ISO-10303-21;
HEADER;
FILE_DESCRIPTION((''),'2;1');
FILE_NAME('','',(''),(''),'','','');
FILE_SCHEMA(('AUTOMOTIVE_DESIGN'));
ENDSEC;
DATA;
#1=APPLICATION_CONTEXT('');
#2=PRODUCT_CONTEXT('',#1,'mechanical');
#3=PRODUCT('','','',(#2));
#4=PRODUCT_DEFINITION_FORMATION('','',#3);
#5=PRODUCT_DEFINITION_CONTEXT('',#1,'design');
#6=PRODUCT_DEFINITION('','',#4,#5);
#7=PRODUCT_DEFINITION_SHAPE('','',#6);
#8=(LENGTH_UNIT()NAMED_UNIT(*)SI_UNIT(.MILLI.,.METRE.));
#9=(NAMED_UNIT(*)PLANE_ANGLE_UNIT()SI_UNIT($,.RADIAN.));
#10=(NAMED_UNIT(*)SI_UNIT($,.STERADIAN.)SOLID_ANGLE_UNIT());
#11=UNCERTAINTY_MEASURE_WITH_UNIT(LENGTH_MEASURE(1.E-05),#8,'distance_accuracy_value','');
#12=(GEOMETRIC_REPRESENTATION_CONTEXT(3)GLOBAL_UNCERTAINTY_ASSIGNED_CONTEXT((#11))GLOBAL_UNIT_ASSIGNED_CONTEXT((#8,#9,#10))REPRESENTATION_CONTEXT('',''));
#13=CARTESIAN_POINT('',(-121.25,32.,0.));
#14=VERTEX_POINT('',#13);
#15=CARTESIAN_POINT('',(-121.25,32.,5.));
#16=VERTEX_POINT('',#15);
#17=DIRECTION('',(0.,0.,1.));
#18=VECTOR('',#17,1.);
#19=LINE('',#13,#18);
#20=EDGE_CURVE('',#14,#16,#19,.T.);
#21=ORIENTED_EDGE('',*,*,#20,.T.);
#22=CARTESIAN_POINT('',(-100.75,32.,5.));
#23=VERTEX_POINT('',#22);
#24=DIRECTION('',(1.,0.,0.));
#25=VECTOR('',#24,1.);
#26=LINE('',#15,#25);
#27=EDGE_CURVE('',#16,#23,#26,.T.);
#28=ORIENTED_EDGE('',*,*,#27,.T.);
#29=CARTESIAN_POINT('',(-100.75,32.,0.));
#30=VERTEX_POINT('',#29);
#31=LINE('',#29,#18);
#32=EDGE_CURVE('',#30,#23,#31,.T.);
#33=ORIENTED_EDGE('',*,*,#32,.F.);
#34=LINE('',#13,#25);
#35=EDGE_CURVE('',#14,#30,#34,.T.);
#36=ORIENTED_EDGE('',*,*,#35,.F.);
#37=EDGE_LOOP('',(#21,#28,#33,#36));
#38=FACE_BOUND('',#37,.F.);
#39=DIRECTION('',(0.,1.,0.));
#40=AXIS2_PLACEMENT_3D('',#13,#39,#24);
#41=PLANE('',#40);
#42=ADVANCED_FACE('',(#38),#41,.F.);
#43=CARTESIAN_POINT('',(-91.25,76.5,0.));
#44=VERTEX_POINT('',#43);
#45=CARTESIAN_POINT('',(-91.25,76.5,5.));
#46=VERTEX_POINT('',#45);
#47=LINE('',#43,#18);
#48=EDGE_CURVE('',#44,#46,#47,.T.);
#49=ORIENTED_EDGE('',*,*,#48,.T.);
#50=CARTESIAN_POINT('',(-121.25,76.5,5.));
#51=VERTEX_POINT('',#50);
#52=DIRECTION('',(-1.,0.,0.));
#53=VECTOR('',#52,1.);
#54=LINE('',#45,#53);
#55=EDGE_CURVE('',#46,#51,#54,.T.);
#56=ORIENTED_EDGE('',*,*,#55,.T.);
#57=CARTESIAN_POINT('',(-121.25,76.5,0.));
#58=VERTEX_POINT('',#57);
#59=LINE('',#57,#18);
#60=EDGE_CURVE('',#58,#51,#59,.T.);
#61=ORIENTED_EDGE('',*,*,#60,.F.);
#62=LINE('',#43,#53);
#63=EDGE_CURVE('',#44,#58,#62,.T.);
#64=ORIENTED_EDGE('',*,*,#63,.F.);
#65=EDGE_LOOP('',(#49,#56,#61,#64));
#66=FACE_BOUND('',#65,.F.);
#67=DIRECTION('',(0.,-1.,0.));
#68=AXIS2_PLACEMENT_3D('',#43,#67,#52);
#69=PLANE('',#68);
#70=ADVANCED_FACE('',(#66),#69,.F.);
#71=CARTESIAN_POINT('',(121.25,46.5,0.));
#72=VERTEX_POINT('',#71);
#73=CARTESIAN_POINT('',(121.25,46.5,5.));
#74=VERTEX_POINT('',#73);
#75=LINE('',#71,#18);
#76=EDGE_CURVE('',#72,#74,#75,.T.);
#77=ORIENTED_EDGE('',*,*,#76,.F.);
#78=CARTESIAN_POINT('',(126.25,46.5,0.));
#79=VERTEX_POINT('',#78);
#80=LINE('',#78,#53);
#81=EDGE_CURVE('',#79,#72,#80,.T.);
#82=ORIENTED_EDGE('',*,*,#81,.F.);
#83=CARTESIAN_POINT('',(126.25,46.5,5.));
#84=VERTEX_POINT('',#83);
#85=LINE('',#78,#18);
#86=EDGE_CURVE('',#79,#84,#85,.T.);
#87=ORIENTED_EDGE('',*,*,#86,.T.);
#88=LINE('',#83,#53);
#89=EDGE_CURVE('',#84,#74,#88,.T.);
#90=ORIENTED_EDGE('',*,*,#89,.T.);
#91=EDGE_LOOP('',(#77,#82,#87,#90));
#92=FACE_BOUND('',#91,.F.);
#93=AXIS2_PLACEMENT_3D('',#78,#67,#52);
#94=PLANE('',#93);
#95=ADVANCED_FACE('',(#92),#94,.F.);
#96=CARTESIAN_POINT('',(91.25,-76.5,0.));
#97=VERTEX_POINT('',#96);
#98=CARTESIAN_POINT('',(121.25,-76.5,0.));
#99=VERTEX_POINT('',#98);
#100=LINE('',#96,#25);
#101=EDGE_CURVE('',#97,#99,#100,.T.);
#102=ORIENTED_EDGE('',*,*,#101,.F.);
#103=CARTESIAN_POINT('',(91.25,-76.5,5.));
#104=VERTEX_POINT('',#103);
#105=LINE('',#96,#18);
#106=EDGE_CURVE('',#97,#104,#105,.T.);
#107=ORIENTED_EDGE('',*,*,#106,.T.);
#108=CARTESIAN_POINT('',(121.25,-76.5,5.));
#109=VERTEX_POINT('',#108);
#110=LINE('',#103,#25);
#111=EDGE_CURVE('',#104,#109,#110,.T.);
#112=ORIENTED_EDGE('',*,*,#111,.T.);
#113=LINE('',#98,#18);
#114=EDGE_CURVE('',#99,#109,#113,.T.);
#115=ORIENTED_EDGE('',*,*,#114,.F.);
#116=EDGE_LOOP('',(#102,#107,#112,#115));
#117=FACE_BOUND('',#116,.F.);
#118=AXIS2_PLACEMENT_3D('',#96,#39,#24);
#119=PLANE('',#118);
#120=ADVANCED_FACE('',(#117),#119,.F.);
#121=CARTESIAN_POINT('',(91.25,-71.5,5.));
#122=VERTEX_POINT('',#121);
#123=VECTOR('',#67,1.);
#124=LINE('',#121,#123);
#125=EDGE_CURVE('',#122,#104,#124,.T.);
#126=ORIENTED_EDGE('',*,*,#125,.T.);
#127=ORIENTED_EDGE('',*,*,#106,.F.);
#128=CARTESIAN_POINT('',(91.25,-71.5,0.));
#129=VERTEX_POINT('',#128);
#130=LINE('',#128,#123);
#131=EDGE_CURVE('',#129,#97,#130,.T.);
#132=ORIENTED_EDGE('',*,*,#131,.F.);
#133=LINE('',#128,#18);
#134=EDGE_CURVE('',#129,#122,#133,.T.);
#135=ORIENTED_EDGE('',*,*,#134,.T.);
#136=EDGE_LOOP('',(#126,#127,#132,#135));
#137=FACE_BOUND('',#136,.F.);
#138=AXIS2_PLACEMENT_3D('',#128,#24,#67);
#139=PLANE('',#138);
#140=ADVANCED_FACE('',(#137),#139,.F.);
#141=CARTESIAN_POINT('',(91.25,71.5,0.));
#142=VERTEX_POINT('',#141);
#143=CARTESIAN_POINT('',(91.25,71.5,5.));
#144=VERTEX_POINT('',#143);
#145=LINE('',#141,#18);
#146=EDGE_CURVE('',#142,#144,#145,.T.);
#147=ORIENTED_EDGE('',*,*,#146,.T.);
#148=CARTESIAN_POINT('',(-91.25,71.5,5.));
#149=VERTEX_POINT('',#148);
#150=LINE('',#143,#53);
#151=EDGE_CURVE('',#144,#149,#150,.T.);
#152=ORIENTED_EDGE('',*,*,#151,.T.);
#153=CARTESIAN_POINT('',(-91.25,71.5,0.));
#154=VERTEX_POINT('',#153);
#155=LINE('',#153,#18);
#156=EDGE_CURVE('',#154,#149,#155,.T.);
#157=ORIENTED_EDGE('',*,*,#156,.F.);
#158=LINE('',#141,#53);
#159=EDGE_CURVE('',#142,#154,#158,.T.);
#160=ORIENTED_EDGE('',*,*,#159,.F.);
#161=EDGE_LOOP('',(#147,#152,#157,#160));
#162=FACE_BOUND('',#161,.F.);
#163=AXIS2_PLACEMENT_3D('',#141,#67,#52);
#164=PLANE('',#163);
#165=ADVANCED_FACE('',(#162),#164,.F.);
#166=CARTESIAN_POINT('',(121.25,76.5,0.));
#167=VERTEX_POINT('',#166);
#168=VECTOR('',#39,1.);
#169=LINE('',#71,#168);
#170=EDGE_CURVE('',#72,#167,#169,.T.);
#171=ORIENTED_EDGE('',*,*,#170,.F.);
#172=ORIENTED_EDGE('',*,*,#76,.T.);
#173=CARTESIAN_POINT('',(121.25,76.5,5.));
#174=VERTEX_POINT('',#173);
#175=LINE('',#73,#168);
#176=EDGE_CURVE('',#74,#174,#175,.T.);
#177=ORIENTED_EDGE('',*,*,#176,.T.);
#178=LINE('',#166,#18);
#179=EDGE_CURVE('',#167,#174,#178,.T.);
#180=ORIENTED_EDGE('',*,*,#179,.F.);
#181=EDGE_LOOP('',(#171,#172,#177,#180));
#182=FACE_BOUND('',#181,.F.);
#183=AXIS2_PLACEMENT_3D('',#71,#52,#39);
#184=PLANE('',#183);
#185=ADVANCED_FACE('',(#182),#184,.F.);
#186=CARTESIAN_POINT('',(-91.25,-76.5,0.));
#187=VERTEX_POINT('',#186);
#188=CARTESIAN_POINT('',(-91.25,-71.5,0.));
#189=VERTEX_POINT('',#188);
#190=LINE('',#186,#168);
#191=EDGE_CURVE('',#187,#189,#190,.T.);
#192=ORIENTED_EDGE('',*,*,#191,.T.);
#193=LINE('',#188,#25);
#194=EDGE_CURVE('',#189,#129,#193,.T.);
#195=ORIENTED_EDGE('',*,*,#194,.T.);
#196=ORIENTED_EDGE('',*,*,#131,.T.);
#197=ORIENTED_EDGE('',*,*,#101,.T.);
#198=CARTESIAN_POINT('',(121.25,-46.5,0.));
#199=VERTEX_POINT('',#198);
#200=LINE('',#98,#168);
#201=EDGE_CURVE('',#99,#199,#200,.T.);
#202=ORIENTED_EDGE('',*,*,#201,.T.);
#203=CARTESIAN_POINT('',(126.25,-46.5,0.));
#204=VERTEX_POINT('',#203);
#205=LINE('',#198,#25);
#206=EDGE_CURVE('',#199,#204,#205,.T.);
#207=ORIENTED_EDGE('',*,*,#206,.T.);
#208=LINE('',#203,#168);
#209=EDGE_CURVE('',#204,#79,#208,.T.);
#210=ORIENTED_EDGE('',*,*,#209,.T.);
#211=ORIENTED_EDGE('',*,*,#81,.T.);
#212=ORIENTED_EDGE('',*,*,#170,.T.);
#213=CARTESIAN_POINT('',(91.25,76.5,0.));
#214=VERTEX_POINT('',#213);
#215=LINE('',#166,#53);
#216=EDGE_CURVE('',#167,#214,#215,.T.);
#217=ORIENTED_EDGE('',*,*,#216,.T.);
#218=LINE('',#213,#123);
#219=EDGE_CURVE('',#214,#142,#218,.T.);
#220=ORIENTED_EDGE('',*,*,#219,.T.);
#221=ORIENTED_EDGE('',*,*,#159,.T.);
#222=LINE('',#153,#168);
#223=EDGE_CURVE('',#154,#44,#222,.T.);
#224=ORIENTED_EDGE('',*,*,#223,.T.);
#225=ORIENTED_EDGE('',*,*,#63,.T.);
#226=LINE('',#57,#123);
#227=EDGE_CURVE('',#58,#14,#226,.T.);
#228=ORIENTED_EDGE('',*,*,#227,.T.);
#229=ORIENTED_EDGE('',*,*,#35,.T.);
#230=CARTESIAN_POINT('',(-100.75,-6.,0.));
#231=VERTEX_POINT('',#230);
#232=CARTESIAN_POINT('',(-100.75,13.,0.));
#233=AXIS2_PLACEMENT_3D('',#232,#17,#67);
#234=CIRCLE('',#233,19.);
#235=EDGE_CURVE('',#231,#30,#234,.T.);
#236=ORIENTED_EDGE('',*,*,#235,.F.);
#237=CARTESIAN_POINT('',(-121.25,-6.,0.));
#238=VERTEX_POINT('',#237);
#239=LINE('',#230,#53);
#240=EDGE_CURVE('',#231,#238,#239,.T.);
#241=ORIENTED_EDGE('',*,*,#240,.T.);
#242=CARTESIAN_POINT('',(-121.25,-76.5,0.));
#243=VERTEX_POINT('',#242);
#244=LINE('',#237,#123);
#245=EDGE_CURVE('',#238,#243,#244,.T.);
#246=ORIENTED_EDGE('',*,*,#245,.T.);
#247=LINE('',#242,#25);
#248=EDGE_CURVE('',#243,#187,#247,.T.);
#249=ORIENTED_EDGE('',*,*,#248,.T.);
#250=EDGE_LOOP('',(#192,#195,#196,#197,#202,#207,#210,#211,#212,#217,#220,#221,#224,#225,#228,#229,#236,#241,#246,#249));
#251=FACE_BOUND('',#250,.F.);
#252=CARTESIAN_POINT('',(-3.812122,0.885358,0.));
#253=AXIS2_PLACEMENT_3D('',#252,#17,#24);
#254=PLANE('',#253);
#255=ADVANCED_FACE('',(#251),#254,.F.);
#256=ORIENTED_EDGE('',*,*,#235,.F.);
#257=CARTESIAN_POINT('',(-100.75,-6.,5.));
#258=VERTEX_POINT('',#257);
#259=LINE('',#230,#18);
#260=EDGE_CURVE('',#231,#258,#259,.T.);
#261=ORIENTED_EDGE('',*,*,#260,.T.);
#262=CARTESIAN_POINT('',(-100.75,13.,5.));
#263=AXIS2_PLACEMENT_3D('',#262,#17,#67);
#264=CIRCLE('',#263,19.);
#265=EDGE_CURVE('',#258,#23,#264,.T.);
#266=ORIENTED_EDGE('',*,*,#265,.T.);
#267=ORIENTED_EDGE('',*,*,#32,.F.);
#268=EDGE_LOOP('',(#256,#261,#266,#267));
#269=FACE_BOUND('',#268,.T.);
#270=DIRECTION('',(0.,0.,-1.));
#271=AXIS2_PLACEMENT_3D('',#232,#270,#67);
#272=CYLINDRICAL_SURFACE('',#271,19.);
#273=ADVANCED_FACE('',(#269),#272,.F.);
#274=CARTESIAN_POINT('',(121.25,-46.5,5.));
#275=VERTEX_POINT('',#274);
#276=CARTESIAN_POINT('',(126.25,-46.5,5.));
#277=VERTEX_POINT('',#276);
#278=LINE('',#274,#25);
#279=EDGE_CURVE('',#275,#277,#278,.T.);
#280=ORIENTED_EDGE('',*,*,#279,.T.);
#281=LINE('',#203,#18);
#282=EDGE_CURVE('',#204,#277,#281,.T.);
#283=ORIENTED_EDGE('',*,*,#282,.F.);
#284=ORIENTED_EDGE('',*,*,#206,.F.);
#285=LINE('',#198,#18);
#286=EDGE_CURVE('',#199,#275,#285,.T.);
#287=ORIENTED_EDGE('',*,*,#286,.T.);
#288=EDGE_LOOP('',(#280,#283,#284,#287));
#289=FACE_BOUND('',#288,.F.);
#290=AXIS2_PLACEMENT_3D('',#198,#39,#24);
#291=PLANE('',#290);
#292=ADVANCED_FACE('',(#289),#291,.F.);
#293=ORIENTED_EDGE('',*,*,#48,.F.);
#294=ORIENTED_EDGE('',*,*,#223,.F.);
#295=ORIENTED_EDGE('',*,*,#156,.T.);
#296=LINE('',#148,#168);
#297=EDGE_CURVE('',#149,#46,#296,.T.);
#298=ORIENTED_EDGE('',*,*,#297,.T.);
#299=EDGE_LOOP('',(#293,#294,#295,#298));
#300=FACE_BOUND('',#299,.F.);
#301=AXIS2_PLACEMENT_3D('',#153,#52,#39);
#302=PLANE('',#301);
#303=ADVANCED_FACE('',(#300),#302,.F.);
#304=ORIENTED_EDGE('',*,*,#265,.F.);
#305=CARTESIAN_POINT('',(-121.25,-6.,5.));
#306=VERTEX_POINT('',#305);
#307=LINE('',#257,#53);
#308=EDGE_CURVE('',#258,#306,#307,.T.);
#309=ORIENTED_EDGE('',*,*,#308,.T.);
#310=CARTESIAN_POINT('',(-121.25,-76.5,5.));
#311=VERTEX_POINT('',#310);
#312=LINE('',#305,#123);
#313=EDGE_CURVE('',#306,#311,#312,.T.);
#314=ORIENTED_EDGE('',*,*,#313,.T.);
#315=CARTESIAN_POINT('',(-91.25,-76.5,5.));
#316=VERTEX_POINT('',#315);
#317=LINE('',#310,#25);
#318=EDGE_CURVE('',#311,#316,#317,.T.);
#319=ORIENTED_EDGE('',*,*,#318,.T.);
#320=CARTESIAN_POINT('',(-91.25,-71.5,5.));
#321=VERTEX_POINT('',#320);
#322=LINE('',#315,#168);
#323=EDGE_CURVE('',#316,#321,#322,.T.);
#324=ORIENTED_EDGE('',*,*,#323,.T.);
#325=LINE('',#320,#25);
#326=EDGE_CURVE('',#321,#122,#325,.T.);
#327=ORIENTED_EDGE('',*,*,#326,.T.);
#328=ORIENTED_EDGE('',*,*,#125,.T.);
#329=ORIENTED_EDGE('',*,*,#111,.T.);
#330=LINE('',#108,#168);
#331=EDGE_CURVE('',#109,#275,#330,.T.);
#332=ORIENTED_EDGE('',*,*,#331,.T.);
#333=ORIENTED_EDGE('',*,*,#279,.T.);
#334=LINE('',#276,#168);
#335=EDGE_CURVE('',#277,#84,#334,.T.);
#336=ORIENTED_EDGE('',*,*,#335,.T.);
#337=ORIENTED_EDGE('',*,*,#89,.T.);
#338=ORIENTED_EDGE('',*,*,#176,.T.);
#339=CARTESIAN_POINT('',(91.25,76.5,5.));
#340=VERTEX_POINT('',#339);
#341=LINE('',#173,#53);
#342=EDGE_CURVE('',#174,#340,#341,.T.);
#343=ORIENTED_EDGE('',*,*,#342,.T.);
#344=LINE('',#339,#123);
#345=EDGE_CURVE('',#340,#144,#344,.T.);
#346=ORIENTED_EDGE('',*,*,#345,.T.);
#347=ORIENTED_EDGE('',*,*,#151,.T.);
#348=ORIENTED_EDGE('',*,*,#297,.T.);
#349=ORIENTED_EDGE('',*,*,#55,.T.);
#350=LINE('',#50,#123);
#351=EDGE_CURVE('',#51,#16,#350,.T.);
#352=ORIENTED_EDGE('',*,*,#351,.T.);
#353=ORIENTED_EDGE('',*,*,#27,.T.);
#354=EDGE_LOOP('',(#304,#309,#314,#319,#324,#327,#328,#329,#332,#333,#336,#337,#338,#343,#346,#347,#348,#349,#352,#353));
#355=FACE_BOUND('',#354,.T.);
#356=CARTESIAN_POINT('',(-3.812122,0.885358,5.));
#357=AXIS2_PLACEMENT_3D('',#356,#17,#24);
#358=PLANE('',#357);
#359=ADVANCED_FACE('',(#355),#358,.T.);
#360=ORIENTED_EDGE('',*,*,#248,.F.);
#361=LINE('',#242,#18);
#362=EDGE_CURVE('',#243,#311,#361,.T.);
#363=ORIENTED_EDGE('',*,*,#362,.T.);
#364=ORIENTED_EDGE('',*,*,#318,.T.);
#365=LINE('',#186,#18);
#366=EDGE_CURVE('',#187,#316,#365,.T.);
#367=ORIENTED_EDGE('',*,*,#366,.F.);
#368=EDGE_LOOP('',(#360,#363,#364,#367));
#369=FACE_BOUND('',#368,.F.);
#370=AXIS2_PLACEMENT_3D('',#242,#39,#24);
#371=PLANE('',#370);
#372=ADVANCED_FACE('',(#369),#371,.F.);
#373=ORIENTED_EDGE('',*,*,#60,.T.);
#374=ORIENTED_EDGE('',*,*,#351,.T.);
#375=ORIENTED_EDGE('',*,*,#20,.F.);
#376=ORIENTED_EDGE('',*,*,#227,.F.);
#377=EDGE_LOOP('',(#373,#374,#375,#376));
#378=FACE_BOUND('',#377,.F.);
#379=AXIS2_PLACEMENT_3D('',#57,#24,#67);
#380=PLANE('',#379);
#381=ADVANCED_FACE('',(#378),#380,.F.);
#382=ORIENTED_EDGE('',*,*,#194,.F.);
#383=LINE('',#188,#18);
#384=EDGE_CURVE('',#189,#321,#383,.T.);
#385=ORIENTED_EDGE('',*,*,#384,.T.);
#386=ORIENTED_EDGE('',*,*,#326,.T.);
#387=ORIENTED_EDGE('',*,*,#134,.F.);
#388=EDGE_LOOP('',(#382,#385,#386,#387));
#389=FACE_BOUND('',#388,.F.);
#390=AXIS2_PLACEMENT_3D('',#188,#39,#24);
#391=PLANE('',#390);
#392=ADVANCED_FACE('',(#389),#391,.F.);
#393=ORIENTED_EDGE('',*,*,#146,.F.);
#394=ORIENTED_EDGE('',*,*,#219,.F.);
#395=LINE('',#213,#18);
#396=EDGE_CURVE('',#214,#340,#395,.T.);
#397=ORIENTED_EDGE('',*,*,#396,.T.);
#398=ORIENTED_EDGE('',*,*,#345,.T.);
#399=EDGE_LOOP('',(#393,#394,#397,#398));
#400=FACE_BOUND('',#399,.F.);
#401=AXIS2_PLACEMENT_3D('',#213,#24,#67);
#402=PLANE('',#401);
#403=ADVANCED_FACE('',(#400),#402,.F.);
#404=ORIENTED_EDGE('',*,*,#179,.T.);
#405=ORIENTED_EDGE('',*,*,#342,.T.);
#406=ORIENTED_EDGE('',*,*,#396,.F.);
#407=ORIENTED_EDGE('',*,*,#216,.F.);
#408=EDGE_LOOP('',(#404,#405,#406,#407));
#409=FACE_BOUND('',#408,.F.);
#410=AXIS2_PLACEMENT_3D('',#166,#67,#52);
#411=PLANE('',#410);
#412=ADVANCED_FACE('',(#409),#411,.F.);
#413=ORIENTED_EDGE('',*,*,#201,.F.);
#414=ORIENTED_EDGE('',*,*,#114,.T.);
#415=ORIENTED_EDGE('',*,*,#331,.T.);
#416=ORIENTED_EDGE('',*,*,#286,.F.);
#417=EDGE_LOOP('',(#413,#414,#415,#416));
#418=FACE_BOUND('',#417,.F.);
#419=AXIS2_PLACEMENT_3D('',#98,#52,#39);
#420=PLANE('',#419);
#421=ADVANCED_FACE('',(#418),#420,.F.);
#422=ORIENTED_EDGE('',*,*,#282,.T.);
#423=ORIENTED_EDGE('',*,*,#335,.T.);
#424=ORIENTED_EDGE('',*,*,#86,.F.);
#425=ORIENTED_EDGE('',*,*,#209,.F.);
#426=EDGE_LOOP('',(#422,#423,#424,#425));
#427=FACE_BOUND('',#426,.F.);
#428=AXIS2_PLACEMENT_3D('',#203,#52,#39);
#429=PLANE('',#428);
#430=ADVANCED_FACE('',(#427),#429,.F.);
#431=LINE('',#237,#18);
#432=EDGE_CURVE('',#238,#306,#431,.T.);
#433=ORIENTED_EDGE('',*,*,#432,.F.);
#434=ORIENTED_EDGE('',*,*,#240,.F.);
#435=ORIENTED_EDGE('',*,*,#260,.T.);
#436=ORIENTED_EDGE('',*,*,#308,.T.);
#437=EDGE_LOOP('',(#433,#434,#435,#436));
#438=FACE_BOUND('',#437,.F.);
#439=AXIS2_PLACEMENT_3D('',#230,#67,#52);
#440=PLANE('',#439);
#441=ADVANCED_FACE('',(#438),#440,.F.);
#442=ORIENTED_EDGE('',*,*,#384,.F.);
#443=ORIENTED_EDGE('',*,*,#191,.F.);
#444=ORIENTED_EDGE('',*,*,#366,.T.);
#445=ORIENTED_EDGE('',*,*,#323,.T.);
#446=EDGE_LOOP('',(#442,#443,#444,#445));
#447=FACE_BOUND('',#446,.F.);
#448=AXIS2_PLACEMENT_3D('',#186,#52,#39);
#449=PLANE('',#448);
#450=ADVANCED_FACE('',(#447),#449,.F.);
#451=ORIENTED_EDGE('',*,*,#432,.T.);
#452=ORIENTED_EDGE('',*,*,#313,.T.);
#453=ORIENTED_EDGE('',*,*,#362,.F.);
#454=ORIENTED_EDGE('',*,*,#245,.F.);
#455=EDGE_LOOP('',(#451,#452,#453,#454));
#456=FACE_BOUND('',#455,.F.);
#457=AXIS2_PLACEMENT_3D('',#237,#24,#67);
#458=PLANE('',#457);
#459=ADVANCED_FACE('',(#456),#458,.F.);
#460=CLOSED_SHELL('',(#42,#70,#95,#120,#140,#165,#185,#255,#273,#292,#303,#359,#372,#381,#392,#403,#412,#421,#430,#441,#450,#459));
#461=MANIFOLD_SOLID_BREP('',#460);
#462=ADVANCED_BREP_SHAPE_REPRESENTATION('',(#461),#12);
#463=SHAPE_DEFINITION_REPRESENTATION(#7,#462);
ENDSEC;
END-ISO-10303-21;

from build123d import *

# Parameters (mm, degrees)
PAD_DEPTH = 5


with BuildPart() as part:
    # Sketch → Pad (new body)
    with BuildSketch(Plane.XY):
        with BuildLine():
            Line((121.25, 46.5), (121.25, 76.5))
            Line((121.25, 76.5), (91.25, 76.5))
            Line((91.25, 76.5), (91.25, 71.5))
            Line((91.25, 71.5), (-91.25, 71.5))
            Line((-91.25, 71.5), (-91.25, 76.5))
            Line((-91.25, 76.5), (-121.25, 76.5))
            Line((-121.25, 76.5), (-121.25, 32))
            Line((-121.25, 32), (-100.75, 32))
            ThreePointArc((-100.75, -6), (-81.75, 13), (-100.75, 32))
            Line((-100.75, -6), (-121.25, -6))
            Line((-121.25, -6), (-121.25, -76.5))
            Line((-121.25, -76.5), (-91.25, -76.5))
            Line((-91.25, -76.5), (-91.25, -71.5))
            Line((-91.25, -71.5), (91.25, -71.5))
            Line((91.25, -71.5), (91.25, -76.5))
            Line((91.25, -76.5), (121.25, -76.5))
            Line((121.25, -76.5), (121.25, -46.5))
            Line((121.25, -46.5), (126.25, -46.5))
            Line((126.25, -46.5), (126.25, 46.5))
            Line((126.25, 46.5), (121.25, 46.5))
        make_face()
    extrude(amount=PAD_DEPTH)


solid = part.part
